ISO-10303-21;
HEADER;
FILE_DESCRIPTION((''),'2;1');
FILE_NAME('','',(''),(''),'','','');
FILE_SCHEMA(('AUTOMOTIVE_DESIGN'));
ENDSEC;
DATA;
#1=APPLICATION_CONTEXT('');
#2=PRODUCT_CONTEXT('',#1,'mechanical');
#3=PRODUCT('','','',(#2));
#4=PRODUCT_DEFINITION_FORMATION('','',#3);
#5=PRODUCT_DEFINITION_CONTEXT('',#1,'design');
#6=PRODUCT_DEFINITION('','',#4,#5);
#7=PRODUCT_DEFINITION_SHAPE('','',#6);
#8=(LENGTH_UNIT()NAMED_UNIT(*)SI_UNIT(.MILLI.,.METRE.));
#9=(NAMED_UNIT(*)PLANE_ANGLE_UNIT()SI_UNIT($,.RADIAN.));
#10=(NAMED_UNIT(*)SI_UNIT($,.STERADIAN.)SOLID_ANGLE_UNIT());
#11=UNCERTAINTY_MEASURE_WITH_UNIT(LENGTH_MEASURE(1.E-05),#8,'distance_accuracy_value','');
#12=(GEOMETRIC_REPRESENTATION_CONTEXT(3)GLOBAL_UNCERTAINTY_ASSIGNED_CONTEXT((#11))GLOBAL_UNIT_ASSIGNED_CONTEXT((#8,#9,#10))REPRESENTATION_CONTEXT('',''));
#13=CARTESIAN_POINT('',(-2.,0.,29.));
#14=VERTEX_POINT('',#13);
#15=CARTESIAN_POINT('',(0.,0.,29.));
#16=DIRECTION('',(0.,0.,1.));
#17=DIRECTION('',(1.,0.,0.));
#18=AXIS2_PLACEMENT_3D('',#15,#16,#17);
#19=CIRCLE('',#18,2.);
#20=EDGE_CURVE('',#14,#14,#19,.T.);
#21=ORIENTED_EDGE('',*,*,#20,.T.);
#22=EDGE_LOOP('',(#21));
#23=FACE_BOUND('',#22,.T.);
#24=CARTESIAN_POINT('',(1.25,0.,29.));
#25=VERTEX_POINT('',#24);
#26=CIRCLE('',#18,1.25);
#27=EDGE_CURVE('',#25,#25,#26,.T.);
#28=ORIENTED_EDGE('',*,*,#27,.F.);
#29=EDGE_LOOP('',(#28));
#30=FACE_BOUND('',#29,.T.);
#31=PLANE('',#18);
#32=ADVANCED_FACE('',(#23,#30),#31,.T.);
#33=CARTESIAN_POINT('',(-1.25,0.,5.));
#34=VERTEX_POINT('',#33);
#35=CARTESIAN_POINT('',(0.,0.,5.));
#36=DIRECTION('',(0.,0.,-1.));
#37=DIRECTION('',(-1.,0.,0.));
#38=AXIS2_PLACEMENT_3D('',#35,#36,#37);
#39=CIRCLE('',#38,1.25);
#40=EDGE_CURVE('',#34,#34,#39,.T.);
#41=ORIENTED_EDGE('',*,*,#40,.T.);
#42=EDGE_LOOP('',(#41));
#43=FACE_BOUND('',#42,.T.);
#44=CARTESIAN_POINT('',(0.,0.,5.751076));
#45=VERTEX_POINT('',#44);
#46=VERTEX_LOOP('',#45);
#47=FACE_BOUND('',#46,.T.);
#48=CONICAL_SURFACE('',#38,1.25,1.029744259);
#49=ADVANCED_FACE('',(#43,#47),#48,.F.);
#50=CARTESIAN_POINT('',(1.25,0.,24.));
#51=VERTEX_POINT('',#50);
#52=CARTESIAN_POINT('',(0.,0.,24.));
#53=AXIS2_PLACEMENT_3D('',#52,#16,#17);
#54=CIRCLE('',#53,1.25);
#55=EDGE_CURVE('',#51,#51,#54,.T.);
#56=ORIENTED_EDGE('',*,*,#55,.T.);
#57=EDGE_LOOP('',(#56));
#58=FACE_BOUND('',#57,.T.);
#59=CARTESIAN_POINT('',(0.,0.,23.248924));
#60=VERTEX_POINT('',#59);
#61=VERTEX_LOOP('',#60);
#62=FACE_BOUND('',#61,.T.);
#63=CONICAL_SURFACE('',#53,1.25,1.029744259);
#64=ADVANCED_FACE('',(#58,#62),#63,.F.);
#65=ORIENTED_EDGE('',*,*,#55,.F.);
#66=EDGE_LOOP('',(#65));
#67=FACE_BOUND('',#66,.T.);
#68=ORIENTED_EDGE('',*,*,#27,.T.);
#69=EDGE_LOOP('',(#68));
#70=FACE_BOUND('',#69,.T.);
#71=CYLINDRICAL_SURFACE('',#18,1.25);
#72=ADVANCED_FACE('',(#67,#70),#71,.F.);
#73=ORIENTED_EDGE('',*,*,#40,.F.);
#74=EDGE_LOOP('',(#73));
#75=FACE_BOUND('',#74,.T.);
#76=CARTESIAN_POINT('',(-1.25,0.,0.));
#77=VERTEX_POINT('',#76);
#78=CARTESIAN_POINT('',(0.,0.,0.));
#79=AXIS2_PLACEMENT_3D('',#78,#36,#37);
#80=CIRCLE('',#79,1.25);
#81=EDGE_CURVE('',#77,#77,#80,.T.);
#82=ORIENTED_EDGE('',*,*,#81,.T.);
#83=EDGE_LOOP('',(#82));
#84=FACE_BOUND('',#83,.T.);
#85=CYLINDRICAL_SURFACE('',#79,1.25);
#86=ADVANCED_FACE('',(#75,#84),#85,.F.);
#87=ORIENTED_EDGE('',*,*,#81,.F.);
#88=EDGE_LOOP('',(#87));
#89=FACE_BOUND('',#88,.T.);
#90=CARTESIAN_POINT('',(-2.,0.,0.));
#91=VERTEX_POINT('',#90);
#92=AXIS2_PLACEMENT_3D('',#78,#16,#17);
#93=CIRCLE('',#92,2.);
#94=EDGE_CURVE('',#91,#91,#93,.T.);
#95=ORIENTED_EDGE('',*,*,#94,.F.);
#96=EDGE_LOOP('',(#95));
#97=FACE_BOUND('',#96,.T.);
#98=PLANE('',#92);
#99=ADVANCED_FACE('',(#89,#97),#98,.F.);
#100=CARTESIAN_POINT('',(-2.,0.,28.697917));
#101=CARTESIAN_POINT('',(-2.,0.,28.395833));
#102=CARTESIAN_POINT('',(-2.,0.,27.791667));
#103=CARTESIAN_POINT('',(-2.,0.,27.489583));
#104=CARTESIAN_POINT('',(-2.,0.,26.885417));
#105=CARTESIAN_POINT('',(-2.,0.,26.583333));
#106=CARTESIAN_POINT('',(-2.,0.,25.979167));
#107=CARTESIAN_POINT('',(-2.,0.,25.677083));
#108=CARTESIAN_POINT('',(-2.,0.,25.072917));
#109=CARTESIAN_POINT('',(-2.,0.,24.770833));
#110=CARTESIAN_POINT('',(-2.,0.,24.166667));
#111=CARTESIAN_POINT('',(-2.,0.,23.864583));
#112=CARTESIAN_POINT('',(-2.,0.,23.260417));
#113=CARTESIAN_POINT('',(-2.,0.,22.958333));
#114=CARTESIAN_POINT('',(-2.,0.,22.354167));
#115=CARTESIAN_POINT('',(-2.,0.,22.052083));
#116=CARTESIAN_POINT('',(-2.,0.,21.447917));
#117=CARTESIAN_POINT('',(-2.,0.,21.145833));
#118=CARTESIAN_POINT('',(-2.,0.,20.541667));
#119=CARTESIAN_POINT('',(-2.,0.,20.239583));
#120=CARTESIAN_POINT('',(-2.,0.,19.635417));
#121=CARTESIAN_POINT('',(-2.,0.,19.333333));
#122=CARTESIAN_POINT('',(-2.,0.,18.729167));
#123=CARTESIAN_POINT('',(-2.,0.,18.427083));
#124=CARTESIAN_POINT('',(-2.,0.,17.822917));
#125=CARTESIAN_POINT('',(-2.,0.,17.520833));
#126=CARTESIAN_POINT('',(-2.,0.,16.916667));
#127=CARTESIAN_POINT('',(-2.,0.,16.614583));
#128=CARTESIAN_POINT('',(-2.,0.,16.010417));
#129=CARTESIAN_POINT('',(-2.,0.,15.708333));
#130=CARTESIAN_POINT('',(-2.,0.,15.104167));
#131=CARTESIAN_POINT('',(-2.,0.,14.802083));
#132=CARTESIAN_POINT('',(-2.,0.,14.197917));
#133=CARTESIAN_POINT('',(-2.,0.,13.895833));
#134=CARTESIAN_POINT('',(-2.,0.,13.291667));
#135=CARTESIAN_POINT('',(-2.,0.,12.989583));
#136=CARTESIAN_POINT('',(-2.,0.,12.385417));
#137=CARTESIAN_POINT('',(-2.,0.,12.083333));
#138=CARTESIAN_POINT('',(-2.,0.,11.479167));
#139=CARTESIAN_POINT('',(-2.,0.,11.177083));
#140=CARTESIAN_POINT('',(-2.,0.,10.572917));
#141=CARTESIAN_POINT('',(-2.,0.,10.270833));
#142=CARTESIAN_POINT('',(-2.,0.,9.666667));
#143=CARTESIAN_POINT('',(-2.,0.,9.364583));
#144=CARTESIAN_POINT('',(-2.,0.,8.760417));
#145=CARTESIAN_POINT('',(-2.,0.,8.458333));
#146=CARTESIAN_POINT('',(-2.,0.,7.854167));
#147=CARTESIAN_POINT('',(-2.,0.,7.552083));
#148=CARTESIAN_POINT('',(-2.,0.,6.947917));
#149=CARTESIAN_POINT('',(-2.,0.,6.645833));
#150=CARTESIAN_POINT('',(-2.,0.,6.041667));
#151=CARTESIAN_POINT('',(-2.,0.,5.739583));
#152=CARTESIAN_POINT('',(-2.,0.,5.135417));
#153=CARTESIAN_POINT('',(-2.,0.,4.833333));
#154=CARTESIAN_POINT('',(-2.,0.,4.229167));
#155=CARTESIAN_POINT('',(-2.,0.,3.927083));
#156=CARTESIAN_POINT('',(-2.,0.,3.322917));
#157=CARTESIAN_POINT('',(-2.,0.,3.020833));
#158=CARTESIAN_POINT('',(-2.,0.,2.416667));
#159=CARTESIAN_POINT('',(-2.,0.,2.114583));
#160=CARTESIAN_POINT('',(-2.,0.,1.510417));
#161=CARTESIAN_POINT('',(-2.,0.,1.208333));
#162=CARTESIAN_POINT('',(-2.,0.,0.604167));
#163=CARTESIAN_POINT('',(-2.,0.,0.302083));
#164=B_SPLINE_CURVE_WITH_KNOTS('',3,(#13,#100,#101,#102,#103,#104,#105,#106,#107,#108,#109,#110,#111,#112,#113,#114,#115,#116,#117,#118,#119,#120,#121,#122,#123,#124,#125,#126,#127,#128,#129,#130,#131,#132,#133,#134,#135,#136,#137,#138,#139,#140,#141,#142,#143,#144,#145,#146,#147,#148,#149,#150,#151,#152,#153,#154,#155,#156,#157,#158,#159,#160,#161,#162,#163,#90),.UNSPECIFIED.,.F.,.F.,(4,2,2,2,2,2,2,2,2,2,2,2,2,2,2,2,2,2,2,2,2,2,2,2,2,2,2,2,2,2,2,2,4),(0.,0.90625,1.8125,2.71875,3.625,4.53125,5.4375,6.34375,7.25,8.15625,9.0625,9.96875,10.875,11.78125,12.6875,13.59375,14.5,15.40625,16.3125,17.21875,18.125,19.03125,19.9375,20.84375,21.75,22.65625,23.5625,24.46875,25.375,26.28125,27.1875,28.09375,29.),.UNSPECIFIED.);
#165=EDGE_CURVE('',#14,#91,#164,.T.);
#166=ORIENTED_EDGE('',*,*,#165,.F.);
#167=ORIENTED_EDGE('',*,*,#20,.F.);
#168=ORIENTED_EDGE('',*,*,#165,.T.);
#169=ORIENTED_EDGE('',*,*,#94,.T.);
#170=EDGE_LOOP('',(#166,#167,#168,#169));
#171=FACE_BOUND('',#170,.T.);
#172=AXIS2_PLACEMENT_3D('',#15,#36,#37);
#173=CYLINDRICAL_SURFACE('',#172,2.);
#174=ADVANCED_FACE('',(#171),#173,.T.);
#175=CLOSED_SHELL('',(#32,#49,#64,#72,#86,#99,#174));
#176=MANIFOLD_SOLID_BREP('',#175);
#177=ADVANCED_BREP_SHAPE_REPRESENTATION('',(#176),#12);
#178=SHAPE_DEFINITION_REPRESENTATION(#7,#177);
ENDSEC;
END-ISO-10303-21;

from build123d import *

# Parameters (mm, degrees)
SKETCH1_R           = 2
BOSS_EXTRUDE1_DEPTH = 29


with BuildPart() as part:
    # Sketch1 → Boss-Extrude1 (new body)
    with BuildSketch(Plane.XY):
        with Locations(Location((0, 0, 0), (0, 0, 180))):
            Circle(SKETCH1_R)
    extrude(amount=BOSS_EXTRUDE1_DEPTH)

    # Sketch6 → Tap Drill for M3x0.5 Tap1 (revolve, cut)
    with BuildSketch(Plane(origin=(0, 0, 29), x_dir=(0, -1, 0), z_dir=(1, 0, 0))):
        Polygon((0, 0), (0, 5.751075774), (1.25, 5), (1.25, 0), align=None)
    tap_drill_for_m3x0_5_tap1 = revolve(axis=Axis((0, 0, 35.35), (0, 0, -1)), mode=Mode.SUBTRACT)

    # Mirror2: Tap Drill for M3x0.5 Tap1 across plane
    add(tap_drill_for_m3x0_5_tap1.mirror(Plane(origin=(0, 0, 14.5), x_dir=(1, 0, 0), z_dir=(0, 0, -1))), mode=Mode.SUBTRACT)


solid = part.part
